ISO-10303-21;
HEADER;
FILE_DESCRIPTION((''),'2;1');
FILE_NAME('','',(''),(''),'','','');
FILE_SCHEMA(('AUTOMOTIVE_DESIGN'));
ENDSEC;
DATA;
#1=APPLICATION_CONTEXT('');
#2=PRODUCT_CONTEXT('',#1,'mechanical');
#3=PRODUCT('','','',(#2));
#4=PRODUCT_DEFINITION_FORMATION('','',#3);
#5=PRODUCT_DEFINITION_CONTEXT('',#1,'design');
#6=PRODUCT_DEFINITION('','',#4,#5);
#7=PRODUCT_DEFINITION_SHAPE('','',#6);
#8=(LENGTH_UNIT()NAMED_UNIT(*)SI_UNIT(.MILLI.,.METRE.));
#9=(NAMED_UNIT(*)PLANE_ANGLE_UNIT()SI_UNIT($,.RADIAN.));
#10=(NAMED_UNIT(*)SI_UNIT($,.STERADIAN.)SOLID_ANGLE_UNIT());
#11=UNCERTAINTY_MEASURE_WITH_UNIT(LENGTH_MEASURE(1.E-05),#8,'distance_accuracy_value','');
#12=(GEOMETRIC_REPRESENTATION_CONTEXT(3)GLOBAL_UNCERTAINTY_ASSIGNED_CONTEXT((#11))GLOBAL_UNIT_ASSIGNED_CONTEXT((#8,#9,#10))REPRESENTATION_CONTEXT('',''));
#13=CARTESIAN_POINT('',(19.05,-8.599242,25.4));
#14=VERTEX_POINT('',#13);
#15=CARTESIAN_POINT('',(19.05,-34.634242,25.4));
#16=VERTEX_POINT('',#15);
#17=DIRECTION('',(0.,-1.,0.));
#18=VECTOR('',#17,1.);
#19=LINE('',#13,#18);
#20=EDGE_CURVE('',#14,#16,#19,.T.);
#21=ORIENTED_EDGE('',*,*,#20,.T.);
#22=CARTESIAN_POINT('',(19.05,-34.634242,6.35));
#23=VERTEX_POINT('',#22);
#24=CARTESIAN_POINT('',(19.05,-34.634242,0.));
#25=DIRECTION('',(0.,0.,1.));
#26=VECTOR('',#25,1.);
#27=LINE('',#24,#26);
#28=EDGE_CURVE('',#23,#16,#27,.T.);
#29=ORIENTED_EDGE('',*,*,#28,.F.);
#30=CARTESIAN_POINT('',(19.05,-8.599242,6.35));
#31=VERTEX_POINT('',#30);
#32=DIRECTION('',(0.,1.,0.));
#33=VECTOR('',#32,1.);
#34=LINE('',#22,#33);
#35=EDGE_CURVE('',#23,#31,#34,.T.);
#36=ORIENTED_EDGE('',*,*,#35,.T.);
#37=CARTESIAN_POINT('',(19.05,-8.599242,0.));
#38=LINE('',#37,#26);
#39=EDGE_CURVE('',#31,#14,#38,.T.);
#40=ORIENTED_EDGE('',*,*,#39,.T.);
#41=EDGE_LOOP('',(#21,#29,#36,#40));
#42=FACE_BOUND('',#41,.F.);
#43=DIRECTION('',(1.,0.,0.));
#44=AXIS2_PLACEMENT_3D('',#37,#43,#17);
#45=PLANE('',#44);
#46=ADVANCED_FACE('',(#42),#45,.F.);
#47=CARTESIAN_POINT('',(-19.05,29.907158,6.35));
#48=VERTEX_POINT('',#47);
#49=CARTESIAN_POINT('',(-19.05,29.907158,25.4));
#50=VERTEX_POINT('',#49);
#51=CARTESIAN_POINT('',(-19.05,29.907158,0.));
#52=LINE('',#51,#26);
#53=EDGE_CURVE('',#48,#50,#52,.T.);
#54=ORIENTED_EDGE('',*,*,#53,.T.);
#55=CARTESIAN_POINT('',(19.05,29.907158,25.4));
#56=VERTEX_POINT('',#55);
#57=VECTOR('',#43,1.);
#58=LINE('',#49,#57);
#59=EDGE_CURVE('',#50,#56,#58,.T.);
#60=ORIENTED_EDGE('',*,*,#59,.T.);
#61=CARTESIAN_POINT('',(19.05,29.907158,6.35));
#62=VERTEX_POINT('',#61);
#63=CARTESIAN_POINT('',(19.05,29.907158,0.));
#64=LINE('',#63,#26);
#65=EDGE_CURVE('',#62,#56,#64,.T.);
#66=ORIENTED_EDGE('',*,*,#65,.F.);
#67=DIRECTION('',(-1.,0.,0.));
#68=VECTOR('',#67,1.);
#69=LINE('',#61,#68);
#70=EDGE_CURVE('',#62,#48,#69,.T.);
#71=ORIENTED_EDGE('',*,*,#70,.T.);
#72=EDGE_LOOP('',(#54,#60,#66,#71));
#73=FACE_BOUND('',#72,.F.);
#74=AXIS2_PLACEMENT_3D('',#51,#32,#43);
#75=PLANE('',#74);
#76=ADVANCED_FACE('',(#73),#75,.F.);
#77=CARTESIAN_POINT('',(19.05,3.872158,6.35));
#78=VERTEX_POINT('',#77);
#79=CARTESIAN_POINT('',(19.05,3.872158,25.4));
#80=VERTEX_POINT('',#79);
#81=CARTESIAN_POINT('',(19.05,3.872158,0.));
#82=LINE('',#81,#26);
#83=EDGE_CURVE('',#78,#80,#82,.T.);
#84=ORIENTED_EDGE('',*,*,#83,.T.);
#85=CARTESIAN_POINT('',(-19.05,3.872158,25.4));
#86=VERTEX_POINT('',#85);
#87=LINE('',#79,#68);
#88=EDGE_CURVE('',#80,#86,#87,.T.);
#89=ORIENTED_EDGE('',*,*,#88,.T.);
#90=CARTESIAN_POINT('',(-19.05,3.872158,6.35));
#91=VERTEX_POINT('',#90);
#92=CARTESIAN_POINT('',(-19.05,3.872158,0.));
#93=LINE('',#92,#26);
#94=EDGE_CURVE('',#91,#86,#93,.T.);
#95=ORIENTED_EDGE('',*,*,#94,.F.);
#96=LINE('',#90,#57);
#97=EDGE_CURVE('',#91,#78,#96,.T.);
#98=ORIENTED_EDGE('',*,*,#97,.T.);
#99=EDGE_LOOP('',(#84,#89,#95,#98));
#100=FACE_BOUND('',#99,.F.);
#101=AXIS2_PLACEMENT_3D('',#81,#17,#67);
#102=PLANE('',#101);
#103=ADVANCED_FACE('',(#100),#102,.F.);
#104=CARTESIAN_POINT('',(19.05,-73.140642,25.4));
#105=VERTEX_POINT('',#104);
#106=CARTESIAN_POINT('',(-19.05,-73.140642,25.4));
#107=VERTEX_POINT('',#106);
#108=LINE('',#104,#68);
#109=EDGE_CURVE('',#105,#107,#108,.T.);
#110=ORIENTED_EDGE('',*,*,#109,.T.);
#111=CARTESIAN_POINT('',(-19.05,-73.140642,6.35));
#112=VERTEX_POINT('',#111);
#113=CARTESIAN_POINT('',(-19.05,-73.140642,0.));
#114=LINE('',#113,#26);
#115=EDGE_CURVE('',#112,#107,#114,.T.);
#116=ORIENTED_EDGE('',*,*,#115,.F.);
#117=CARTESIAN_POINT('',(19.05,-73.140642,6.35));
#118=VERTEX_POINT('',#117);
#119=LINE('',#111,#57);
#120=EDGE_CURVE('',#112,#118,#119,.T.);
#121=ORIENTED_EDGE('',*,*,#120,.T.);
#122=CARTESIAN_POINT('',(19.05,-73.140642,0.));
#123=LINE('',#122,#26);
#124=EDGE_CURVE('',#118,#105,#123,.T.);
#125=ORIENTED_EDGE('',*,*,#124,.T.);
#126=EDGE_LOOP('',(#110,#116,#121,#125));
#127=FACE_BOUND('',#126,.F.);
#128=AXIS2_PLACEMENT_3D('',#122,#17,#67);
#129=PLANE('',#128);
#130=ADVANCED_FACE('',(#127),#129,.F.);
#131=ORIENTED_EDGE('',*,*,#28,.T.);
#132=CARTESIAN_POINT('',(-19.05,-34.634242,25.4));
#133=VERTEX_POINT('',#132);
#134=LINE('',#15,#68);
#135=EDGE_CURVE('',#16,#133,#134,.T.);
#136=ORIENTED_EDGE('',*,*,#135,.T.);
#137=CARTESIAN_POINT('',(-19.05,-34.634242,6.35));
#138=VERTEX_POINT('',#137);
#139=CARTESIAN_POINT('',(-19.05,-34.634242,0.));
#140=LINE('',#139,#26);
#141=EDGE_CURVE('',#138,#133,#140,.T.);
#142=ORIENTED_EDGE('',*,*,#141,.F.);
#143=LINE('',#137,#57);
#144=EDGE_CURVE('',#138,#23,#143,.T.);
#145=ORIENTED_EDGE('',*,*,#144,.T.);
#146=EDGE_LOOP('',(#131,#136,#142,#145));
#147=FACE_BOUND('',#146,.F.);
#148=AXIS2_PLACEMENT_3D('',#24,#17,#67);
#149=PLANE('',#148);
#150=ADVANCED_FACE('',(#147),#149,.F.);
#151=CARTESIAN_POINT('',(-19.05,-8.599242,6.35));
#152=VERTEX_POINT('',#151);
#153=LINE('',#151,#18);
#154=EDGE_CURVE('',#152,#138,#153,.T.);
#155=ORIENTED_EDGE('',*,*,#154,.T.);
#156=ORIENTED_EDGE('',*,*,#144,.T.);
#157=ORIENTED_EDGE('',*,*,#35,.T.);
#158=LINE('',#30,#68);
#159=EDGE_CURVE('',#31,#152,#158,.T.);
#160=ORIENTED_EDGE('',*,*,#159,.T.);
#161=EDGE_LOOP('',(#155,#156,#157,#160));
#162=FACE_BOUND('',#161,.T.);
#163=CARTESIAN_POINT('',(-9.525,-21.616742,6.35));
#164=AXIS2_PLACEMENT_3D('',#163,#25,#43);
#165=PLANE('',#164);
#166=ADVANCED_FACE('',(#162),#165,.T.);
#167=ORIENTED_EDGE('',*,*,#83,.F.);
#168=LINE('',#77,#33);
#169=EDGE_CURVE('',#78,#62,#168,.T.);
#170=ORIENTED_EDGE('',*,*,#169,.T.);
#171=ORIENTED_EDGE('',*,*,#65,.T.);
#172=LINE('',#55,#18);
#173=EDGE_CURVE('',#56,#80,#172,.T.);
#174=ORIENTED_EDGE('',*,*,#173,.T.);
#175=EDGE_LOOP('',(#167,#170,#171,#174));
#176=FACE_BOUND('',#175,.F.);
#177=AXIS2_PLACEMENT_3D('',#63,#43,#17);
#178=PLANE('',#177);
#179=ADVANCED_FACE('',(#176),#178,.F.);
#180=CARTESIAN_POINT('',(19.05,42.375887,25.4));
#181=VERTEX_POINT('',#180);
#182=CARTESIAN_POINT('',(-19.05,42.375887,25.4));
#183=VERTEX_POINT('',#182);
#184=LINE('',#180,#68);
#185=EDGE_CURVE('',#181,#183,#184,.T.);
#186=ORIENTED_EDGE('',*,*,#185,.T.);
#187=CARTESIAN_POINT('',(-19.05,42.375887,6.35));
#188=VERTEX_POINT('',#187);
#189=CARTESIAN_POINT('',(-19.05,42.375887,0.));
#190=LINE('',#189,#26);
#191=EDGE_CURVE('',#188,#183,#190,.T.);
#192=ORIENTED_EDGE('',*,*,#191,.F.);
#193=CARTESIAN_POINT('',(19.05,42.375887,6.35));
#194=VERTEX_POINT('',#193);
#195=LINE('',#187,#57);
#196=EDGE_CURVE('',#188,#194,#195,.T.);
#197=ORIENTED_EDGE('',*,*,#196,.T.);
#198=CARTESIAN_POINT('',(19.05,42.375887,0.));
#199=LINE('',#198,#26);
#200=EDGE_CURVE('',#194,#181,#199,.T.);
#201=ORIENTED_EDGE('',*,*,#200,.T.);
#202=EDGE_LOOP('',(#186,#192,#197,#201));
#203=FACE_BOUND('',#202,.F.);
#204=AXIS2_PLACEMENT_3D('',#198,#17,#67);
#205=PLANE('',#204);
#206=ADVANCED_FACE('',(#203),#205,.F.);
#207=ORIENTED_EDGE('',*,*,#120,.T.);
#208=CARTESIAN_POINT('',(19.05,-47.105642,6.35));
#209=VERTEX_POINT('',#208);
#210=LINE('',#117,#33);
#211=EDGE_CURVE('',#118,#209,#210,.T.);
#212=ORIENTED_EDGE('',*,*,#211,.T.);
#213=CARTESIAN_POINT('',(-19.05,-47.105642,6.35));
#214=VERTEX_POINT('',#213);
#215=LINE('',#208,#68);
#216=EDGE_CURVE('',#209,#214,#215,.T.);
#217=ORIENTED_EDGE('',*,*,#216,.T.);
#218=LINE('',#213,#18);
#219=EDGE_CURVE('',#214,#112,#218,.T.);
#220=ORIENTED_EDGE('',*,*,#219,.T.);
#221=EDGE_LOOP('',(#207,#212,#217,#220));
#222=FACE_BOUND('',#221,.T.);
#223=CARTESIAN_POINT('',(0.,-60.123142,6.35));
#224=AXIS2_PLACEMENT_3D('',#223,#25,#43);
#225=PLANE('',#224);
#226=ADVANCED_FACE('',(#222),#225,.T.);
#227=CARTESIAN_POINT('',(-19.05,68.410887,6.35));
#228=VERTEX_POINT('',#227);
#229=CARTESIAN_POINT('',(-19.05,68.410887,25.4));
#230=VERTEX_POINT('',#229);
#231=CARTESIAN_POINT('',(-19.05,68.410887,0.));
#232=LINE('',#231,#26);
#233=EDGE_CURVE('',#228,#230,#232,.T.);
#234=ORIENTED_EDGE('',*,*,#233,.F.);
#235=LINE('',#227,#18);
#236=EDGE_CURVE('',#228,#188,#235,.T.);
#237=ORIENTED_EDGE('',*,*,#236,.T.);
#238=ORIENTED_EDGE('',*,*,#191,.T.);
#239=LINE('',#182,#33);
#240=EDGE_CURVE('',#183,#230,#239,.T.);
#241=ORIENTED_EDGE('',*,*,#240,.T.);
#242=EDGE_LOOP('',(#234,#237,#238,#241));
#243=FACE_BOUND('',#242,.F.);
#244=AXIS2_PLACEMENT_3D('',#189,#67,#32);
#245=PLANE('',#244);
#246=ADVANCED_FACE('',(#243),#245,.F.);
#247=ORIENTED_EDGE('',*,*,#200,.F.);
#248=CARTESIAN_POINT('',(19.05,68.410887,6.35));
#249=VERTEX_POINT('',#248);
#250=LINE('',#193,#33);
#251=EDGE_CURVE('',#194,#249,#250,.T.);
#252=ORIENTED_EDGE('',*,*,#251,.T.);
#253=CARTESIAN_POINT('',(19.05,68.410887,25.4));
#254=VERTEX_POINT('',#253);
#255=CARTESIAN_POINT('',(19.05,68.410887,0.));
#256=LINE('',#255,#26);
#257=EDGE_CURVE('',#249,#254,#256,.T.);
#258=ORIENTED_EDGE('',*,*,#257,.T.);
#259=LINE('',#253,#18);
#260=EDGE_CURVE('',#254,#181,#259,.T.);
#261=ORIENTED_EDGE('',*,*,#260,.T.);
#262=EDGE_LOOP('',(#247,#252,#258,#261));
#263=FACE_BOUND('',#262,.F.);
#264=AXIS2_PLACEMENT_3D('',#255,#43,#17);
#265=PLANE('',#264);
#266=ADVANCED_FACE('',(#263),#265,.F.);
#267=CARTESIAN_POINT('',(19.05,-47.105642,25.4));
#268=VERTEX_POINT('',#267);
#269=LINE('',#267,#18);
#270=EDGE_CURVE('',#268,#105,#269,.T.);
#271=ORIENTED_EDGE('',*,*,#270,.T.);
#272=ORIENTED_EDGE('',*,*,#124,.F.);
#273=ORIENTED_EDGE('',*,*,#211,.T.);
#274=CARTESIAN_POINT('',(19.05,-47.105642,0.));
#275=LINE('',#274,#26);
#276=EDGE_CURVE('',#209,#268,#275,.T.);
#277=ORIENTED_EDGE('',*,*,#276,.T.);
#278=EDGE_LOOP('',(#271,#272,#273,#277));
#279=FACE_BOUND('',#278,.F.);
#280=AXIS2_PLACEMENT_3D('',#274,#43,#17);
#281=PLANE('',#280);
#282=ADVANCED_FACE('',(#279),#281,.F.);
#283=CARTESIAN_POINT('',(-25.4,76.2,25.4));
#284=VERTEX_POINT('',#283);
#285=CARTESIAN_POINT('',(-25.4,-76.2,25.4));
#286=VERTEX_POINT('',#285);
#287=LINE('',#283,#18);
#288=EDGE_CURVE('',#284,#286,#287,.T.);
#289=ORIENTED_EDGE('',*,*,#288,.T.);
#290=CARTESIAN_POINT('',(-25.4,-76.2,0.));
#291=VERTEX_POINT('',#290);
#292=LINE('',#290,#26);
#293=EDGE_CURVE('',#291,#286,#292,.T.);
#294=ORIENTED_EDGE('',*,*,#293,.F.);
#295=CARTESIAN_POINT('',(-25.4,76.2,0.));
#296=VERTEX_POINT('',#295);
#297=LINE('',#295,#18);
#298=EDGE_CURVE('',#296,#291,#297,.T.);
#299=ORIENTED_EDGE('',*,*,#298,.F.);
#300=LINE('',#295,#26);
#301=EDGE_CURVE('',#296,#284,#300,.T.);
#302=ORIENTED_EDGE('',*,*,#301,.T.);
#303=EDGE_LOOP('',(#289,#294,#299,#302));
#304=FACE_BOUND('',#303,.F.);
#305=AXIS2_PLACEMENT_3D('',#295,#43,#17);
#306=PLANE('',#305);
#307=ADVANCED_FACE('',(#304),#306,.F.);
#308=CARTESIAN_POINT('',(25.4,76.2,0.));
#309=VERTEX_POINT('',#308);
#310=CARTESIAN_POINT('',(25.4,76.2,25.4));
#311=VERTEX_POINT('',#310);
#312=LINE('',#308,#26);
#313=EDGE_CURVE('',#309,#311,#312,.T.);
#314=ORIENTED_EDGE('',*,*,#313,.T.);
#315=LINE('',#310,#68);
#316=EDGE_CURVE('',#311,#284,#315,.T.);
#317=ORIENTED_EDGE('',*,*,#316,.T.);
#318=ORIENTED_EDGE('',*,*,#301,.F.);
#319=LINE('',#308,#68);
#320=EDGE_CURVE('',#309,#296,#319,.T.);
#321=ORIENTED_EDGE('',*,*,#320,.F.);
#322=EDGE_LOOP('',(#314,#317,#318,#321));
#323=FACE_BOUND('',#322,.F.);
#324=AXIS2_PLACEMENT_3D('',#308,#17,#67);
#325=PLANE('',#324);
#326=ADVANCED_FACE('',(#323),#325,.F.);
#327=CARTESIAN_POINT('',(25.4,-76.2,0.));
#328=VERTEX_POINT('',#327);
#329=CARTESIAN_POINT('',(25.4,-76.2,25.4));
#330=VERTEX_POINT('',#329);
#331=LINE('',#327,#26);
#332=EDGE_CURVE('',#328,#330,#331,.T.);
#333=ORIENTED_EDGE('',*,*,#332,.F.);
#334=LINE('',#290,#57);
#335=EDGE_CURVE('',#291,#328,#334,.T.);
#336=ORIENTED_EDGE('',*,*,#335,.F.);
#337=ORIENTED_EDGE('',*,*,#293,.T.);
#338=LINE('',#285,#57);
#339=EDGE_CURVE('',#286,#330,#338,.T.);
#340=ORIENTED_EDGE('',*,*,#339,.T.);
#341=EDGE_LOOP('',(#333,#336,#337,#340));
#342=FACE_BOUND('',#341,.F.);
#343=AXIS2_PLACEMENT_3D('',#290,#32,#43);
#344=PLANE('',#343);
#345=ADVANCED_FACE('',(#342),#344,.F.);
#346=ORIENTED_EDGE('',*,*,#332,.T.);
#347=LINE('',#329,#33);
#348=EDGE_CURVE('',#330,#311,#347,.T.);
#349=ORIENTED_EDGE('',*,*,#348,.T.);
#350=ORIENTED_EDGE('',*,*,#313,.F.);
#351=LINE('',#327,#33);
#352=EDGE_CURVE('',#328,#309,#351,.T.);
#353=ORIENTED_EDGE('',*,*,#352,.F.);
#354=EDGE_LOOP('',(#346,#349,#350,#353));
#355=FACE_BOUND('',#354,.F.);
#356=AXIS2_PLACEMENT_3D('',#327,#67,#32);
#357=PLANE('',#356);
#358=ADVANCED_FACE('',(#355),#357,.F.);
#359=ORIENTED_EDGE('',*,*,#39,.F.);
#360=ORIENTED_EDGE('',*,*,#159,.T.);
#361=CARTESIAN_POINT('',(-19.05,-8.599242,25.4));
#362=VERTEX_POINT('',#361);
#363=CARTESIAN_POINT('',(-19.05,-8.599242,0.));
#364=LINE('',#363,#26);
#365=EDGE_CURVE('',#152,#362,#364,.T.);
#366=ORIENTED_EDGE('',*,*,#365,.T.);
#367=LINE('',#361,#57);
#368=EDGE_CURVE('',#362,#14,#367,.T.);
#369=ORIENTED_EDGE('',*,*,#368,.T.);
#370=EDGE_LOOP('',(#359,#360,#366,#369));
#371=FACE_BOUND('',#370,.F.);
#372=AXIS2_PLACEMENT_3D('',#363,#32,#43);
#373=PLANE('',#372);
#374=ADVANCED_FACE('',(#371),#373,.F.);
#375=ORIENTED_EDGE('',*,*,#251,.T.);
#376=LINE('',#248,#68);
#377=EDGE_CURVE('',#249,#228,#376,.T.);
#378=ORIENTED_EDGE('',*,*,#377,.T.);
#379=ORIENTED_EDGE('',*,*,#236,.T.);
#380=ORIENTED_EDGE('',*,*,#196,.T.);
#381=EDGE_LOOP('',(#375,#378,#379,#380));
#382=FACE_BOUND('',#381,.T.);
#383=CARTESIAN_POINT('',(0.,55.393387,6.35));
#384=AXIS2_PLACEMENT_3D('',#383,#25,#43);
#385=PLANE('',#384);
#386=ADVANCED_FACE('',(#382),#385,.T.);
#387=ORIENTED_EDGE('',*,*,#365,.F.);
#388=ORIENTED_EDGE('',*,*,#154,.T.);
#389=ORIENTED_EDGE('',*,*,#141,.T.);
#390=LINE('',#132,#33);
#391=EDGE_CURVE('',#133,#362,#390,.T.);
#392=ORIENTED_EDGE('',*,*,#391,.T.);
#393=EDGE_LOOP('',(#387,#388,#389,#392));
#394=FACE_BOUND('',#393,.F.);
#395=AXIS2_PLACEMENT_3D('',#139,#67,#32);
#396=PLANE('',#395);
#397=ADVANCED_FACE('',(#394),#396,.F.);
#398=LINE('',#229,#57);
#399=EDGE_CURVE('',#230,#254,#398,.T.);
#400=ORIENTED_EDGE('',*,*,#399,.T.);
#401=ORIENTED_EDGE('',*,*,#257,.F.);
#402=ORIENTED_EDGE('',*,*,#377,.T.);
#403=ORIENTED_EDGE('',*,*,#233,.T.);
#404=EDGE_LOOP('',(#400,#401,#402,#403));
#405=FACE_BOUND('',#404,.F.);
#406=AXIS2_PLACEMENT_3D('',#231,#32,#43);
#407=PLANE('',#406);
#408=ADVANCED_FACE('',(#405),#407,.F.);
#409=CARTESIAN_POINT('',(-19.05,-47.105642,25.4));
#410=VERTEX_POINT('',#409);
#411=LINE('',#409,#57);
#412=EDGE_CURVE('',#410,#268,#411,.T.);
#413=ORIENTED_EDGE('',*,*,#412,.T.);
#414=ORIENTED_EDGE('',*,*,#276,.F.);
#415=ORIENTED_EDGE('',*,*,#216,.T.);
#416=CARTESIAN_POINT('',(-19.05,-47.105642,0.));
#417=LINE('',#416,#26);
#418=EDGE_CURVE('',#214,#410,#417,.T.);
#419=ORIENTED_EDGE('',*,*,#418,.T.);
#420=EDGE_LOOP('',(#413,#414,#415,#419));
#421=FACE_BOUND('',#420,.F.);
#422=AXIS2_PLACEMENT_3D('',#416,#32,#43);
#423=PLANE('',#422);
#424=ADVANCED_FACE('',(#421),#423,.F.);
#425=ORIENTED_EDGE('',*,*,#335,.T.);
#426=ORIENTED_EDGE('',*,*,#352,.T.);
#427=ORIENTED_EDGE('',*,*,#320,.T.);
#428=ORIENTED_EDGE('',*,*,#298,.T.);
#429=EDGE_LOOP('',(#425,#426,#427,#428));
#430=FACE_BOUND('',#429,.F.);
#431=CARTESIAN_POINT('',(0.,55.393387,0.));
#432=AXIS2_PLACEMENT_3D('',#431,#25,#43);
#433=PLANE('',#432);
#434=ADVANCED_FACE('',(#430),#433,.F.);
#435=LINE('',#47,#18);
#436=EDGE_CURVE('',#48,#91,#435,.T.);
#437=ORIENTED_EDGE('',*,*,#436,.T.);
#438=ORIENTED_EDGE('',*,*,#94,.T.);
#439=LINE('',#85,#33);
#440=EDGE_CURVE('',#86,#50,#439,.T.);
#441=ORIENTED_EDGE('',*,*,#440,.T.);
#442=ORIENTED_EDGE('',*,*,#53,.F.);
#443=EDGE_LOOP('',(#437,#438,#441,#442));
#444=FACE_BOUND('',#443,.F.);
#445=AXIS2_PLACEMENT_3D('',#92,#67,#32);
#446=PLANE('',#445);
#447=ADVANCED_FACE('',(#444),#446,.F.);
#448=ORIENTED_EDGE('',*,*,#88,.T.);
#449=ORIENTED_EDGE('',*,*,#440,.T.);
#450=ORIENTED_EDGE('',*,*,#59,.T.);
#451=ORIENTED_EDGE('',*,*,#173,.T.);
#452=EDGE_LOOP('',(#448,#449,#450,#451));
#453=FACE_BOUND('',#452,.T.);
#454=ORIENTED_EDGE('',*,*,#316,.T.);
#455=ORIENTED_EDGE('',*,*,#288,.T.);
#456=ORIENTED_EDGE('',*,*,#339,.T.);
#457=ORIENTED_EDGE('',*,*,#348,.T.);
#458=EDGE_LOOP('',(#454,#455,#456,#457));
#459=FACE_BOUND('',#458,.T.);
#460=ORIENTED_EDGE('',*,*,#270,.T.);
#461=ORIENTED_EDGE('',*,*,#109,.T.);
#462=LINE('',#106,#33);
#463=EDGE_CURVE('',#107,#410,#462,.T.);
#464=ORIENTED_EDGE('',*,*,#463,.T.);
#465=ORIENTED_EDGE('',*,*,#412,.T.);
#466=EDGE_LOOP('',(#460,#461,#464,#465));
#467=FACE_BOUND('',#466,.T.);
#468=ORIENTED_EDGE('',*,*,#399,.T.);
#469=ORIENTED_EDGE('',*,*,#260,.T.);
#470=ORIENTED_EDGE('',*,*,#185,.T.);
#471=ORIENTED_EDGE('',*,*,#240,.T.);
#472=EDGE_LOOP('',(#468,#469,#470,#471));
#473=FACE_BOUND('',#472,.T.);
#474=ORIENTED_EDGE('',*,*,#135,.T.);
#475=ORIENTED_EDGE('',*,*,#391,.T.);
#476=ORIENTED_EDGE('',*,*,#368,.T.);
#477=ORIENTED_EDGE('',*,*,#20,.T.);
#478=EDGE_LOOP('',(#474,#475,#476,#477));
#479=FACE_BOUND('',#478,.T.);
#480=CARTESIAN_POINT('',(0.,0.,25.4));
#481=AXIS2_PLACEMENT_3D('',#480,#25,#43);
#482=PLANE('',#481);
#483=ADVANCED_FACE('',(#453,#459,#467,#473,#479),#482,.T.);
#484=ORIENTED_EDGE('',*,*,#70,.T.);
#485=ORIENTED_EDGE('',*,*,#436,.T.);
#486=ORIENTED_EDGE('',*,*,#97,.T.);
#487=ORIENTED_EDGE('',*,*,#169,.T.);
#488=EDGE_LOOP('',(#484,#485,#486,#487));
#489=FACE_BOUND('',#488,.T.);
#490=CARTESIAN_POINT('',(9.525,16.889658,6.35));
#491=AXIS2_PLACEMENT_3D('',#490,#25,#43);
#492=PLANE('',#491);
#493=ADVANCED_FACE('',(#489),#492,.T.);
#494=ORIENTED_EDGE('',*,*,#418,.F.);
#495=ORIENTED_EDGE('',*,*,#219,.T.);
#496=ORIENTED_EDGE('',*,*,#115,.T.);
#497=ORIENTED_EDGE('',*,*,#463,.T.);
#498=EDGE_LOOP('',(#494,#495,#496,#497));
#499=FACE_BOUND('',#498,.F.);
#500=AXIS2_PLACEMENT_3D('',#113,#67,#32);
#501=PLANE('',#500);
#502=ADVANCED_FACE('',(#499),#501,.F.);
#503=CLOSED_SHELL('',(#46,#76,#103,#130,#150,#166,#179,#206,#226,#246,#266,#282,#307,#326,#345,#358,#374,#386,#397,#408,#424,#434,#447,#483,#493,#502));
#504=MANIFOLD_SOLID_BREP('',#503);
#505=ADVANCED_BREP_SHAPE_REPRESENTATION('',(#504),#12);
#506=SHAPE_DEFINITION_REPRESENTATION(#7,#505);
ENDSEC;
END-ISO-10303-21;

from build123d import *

# Parameters (mm, degrees)
F1_DEPTH = 25.4
F2_DEPTH = 6.35


with BuildPart() as f1:
    # F0 (on Top) → F1 (new body)
    with BuildSketch(Plane.XY):
        Polygon((25.4, -76.2), (25.4, 76.2), (0, 76.2), (-25.4, 76.2), (-25.4, -76.2), align=None)
        Polygon((-19.05, -47.105642), (0, -47.105642), (19.05, -47.105642), (19.05, -73.140642), (-19.05, -73.140642), align=None, mode=Mode.SUBTRACT)
        Polygon((-19.05, -8.599242), (0, -8.599242), (19.05, -8.599242), (19.05, -34.634242), (0, -34.634242), (-19.05, -34.634242), align=None, mode=Mode.SUBTRACT)
        Polygon((-19.05, 29.907158), (0, 29.907158), (19.05, 29.907158), (19.05, 3.872158), (0, 3.872158), (-19.05, 3.872158), align=None, mode=Mode.SUBTRACT)
        Polygon((-19.05, 68.410887), (19.05, 68.410887), (19.05, 42.375887), (0, 42.375887), (-19.05, 42.375887), align=None, mode=Mode.SUBTRACT)
    extrude(amount=F1_DEPTH)

    # F0 (on Top) → F2 (join)
    with BuildSketch(Plane.XY):
        Polygon((19.05, 42.375887), (19.05, 68.410887), (-19.05, 68.410887), (-19.05, 42.375887), (0, 42.375887), align=None)
        Polygon((19.05, 29.907158), (0, 29.907158), (0, 29.675887), (0, 16.889658), (0, 3.872158), (19.05, 3.872158), align=None)
        Polygon((0, 29.675887), (0, 29.907158), (-19.05, 29.907158), (-19.05, 3.872158), (0, 3.872158), (0, 16.889658), align=None)
        Polygon((0, -21.616742), (0, -8.599242), (-19.05, -8.599242), (-19.05, -34.634242), (0, -34.634242), align=None)
        Polygon((19.05, -8.599242), (0, -8.599242), (0, -21.616742), (0, -34.634242), (19.05, -34.634242), align=None)
        Polygon((19.05, -47.105642), (0, -47.105642), (-19.05, -47.105642), (-19.05, -73.140642), (19.05, -73.140642), align=None)
    extrude(amount=F2_DEPTH)


solid = f1.part
